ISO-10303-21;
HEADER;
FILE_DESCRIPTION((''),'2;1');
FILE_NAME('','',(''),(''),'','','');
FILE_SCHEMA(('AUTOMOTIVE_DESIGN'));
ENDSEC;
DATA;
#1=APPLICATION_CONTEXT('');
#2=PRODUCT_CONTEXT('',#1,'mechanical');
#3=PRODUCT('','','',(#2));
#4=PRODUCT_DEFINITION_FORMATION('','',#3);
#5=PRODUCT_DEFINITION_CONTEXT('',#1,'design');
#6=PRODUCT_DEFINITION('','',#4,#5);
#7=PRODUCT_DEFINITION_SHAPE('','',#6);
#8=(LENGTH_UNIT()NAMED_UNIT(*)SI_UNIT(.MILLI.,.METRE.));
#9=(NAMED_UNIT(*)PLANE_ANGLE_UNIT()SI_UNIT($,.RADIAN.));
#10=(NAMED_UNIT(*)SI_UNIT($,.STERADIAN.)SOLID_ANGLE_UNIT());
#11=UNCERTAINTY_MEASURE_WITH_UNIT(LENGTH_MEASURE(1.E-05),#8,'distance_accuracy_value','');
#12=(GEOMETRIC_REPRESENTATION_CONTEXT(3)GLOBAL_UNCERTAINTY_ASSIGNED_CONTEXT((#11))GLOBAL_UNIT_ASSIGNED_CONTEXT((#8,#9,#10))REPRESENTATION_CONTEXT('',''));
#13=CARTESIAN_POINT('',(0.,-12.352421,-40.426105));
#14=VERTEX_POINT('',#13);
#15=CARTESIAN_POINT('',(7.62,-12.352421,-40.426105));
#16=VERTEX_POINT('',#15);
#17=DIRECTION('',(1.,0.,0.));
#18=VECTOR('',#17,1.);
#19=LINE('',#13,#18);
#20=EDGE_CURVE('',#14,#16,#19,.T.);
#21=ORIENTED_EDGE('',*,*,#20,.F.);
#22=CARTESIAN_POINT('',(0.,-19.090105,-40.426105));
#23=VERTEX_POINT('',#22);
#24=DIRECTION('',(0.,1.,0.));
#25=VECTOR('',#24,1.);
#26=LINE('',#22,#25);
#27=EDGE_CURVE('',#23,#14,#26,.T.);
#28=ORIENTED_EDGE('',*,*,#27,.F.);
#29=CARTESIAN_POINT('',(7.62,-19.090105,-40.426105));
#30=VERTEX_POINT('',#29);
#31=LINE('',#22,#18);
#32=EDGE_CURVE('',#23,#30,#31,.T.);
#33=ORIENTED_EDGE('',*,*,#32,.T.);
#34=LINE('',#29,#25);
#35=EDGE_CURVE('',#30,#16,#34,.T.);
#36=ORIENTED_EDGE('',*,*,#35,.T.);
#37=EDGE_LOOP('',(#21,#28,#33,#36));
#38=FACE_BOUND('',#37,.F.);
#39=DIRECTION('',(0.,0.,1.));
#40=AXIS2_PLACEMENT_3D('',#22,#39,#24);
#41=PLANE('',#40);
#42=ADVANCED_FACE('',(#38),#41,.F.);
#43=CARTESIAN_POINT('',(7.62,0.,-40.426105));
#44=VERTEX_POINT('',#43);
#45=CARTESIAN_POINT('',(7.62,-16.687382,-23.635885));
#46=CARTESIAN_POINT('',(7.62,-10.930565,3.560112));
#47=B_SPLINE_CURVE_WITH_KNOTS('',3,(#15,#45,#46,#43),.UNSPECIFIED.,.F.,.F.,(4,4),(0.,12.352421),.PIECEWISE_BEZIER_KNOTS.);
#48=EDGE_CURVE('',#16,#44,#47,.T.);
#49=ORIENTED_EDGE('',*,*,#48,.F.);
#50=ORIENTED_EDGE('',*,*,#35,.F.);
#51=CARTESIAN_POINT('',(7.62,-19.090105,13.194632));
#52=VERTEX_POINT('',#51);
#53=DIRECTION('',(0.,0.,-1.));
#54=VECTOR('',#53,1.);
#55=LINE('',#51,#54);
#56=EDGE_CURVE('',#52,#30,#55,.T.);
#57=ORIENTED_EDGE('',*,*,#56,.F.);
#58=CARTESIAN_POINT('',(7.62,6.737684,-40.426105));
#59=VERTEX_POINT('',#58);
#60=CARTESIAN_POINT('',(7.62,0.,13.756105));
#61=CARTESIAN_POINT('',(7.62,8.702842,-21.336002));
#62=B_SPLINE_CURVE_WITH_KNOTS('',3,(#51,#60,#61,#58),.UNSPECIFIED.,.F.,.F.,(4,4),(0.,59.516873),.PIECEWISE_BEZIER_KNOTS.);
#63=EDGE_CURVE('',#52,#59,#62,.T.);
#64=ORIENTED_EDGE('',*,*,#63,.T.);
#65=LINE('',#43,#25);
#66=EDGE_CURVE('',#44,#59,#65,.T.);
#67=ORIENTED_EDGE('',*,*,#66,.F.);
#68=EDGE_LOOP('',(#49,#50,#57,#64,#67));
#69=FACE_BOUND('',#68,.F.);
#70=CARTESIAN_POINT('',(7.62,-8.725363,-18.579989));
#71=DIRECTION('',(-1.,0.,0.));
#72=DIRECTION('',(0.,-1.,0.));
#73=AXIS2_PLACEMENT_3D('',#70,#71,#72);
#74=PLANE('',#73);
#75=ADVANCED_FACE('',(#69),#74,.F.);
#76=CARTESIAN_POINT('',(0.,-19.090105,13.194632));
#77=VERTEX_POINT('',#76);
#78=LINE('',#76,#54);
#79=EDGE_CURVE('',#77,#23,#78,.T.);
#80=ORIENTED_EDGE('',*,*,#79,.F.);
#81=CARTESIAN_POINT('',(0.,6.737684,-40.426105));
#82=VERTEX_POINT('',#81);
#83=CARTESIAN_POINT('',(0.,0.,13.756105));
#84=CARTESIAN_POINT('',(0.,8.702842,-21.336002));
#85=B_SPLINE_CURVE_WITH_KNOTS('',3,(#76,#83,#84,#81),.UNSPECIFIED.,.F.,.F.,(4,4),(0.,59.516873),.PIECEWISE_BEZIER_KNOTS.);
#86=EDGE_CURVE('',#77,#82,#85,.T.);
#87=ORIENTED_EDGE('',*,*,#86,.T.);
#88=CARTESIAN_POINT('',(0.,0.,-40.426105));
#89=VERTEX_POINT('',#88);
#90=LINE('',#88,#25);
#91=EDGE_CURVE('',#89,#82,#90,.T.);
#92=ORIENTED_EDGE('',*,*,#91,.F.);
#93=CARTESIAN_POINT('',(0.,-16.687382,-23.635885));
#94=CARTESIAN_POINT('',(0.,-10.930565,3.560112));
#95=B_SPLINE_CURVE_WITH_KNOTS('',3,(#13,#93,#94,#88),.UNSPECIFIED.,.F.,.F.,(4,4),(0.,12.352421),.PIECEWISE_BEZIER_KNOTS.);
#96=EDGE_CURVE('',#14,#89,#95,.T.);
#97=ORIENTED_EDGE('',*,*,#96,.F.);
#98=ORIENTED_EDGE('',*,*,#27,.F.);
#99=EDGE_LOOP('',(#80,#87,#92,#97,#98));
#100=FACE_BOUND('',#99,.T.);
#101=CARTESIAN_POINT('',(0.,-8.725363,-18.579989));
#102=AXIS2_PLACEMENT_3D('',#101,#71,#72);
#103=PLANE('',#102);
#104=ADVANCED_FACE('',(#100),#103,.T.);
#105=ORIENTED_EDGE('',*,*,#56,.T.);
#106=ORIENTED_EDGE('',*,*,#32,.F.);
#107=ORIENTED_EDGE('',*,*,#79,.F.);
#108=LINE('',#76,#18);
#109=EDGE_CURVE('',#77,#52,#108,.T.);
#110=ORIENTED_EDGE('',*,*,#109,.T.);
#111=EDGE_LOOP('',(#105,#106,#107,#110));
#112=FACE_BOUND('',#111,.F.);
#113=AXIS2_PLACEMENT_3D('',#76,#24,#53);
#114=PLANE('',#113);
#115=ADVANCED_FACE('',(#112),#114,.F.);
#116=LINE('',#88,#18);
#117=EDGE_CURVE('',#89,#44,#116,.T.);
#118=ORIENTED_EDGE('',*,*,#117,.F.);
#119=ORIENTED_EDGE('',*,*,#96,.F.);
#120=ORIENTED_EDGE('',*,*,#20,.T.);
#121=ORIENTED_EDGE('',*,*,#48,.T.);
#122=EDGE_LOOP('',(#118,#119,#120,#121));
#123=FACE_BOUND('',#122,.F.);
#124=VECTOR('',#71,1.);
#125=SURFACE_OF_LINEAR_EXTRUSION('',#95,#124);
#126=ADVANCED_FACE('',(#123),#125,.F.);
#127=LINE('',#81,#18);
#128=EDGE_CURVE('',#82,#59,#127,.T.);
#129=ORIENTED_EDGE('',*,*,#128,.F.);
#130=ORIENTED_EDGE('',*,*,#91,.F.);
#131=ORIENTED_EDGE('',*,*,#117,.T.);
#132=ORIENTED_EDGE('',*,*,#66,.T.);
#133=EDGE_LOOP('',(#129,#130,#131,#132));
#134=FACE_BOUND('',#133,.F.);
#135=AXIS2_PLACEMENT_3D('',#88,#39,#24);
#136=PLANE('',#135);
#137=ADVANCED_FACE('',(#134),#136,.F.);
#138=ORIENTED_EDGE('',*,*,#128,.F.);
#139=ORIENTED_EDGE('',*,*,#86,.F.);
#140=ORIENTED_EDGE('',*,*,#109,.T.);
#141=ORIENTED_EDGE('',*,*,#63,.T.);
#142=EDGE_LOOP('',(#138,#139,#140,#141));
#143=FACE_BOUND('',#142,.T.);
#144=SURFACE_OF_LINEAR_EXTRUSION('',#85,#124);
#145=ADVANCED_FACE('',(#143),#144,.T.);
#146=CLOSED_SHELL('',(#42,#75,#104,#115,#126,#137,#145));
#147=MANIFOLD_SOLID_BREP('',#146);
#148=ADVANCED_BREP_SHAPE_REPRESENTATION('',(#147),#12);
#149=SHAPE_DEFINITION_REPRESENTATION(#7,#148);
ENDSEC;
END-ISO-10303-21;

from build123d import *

# Parameters (mm, degrees)
F1_DEPTH = 7.62


with BuildPart() as f1:
    # F0 (on Right) → F1 (new body)
    with BuildSketch(Plane.YZ):
        with BuildLine():
            add(Edge.make_bspline(
                [(-19.090105, 13.194632), (0, 13.756105), (8.702842, -21.336002), (6.737684, -40.426105)],
                knots=[0, 0, 0, 0, 59.516873, 59.516873, 59.516873, 59.516873], degree=3))
            Line((-19.090105, 13.194632), (-19.090105, -40.426105))
            Line((-19.090105, -40.426105), (-12.352421, -40.426105))
            add(Edge.make_bspline(
                [(-12.352421, -40.426105), (-16.687382, -23.635885), (-10.930565, 3.560112), (0, -40.426105)],
                knots=[0, 0, 0, 0, 12.352421, 12.352421, 12.352421, 12.352421], degree=3))
            Line((0, -40.426105), (6.737684, -40.426105))
        make_face()
    extrude(amount=F1_DEPTH)


solid = f1.part
